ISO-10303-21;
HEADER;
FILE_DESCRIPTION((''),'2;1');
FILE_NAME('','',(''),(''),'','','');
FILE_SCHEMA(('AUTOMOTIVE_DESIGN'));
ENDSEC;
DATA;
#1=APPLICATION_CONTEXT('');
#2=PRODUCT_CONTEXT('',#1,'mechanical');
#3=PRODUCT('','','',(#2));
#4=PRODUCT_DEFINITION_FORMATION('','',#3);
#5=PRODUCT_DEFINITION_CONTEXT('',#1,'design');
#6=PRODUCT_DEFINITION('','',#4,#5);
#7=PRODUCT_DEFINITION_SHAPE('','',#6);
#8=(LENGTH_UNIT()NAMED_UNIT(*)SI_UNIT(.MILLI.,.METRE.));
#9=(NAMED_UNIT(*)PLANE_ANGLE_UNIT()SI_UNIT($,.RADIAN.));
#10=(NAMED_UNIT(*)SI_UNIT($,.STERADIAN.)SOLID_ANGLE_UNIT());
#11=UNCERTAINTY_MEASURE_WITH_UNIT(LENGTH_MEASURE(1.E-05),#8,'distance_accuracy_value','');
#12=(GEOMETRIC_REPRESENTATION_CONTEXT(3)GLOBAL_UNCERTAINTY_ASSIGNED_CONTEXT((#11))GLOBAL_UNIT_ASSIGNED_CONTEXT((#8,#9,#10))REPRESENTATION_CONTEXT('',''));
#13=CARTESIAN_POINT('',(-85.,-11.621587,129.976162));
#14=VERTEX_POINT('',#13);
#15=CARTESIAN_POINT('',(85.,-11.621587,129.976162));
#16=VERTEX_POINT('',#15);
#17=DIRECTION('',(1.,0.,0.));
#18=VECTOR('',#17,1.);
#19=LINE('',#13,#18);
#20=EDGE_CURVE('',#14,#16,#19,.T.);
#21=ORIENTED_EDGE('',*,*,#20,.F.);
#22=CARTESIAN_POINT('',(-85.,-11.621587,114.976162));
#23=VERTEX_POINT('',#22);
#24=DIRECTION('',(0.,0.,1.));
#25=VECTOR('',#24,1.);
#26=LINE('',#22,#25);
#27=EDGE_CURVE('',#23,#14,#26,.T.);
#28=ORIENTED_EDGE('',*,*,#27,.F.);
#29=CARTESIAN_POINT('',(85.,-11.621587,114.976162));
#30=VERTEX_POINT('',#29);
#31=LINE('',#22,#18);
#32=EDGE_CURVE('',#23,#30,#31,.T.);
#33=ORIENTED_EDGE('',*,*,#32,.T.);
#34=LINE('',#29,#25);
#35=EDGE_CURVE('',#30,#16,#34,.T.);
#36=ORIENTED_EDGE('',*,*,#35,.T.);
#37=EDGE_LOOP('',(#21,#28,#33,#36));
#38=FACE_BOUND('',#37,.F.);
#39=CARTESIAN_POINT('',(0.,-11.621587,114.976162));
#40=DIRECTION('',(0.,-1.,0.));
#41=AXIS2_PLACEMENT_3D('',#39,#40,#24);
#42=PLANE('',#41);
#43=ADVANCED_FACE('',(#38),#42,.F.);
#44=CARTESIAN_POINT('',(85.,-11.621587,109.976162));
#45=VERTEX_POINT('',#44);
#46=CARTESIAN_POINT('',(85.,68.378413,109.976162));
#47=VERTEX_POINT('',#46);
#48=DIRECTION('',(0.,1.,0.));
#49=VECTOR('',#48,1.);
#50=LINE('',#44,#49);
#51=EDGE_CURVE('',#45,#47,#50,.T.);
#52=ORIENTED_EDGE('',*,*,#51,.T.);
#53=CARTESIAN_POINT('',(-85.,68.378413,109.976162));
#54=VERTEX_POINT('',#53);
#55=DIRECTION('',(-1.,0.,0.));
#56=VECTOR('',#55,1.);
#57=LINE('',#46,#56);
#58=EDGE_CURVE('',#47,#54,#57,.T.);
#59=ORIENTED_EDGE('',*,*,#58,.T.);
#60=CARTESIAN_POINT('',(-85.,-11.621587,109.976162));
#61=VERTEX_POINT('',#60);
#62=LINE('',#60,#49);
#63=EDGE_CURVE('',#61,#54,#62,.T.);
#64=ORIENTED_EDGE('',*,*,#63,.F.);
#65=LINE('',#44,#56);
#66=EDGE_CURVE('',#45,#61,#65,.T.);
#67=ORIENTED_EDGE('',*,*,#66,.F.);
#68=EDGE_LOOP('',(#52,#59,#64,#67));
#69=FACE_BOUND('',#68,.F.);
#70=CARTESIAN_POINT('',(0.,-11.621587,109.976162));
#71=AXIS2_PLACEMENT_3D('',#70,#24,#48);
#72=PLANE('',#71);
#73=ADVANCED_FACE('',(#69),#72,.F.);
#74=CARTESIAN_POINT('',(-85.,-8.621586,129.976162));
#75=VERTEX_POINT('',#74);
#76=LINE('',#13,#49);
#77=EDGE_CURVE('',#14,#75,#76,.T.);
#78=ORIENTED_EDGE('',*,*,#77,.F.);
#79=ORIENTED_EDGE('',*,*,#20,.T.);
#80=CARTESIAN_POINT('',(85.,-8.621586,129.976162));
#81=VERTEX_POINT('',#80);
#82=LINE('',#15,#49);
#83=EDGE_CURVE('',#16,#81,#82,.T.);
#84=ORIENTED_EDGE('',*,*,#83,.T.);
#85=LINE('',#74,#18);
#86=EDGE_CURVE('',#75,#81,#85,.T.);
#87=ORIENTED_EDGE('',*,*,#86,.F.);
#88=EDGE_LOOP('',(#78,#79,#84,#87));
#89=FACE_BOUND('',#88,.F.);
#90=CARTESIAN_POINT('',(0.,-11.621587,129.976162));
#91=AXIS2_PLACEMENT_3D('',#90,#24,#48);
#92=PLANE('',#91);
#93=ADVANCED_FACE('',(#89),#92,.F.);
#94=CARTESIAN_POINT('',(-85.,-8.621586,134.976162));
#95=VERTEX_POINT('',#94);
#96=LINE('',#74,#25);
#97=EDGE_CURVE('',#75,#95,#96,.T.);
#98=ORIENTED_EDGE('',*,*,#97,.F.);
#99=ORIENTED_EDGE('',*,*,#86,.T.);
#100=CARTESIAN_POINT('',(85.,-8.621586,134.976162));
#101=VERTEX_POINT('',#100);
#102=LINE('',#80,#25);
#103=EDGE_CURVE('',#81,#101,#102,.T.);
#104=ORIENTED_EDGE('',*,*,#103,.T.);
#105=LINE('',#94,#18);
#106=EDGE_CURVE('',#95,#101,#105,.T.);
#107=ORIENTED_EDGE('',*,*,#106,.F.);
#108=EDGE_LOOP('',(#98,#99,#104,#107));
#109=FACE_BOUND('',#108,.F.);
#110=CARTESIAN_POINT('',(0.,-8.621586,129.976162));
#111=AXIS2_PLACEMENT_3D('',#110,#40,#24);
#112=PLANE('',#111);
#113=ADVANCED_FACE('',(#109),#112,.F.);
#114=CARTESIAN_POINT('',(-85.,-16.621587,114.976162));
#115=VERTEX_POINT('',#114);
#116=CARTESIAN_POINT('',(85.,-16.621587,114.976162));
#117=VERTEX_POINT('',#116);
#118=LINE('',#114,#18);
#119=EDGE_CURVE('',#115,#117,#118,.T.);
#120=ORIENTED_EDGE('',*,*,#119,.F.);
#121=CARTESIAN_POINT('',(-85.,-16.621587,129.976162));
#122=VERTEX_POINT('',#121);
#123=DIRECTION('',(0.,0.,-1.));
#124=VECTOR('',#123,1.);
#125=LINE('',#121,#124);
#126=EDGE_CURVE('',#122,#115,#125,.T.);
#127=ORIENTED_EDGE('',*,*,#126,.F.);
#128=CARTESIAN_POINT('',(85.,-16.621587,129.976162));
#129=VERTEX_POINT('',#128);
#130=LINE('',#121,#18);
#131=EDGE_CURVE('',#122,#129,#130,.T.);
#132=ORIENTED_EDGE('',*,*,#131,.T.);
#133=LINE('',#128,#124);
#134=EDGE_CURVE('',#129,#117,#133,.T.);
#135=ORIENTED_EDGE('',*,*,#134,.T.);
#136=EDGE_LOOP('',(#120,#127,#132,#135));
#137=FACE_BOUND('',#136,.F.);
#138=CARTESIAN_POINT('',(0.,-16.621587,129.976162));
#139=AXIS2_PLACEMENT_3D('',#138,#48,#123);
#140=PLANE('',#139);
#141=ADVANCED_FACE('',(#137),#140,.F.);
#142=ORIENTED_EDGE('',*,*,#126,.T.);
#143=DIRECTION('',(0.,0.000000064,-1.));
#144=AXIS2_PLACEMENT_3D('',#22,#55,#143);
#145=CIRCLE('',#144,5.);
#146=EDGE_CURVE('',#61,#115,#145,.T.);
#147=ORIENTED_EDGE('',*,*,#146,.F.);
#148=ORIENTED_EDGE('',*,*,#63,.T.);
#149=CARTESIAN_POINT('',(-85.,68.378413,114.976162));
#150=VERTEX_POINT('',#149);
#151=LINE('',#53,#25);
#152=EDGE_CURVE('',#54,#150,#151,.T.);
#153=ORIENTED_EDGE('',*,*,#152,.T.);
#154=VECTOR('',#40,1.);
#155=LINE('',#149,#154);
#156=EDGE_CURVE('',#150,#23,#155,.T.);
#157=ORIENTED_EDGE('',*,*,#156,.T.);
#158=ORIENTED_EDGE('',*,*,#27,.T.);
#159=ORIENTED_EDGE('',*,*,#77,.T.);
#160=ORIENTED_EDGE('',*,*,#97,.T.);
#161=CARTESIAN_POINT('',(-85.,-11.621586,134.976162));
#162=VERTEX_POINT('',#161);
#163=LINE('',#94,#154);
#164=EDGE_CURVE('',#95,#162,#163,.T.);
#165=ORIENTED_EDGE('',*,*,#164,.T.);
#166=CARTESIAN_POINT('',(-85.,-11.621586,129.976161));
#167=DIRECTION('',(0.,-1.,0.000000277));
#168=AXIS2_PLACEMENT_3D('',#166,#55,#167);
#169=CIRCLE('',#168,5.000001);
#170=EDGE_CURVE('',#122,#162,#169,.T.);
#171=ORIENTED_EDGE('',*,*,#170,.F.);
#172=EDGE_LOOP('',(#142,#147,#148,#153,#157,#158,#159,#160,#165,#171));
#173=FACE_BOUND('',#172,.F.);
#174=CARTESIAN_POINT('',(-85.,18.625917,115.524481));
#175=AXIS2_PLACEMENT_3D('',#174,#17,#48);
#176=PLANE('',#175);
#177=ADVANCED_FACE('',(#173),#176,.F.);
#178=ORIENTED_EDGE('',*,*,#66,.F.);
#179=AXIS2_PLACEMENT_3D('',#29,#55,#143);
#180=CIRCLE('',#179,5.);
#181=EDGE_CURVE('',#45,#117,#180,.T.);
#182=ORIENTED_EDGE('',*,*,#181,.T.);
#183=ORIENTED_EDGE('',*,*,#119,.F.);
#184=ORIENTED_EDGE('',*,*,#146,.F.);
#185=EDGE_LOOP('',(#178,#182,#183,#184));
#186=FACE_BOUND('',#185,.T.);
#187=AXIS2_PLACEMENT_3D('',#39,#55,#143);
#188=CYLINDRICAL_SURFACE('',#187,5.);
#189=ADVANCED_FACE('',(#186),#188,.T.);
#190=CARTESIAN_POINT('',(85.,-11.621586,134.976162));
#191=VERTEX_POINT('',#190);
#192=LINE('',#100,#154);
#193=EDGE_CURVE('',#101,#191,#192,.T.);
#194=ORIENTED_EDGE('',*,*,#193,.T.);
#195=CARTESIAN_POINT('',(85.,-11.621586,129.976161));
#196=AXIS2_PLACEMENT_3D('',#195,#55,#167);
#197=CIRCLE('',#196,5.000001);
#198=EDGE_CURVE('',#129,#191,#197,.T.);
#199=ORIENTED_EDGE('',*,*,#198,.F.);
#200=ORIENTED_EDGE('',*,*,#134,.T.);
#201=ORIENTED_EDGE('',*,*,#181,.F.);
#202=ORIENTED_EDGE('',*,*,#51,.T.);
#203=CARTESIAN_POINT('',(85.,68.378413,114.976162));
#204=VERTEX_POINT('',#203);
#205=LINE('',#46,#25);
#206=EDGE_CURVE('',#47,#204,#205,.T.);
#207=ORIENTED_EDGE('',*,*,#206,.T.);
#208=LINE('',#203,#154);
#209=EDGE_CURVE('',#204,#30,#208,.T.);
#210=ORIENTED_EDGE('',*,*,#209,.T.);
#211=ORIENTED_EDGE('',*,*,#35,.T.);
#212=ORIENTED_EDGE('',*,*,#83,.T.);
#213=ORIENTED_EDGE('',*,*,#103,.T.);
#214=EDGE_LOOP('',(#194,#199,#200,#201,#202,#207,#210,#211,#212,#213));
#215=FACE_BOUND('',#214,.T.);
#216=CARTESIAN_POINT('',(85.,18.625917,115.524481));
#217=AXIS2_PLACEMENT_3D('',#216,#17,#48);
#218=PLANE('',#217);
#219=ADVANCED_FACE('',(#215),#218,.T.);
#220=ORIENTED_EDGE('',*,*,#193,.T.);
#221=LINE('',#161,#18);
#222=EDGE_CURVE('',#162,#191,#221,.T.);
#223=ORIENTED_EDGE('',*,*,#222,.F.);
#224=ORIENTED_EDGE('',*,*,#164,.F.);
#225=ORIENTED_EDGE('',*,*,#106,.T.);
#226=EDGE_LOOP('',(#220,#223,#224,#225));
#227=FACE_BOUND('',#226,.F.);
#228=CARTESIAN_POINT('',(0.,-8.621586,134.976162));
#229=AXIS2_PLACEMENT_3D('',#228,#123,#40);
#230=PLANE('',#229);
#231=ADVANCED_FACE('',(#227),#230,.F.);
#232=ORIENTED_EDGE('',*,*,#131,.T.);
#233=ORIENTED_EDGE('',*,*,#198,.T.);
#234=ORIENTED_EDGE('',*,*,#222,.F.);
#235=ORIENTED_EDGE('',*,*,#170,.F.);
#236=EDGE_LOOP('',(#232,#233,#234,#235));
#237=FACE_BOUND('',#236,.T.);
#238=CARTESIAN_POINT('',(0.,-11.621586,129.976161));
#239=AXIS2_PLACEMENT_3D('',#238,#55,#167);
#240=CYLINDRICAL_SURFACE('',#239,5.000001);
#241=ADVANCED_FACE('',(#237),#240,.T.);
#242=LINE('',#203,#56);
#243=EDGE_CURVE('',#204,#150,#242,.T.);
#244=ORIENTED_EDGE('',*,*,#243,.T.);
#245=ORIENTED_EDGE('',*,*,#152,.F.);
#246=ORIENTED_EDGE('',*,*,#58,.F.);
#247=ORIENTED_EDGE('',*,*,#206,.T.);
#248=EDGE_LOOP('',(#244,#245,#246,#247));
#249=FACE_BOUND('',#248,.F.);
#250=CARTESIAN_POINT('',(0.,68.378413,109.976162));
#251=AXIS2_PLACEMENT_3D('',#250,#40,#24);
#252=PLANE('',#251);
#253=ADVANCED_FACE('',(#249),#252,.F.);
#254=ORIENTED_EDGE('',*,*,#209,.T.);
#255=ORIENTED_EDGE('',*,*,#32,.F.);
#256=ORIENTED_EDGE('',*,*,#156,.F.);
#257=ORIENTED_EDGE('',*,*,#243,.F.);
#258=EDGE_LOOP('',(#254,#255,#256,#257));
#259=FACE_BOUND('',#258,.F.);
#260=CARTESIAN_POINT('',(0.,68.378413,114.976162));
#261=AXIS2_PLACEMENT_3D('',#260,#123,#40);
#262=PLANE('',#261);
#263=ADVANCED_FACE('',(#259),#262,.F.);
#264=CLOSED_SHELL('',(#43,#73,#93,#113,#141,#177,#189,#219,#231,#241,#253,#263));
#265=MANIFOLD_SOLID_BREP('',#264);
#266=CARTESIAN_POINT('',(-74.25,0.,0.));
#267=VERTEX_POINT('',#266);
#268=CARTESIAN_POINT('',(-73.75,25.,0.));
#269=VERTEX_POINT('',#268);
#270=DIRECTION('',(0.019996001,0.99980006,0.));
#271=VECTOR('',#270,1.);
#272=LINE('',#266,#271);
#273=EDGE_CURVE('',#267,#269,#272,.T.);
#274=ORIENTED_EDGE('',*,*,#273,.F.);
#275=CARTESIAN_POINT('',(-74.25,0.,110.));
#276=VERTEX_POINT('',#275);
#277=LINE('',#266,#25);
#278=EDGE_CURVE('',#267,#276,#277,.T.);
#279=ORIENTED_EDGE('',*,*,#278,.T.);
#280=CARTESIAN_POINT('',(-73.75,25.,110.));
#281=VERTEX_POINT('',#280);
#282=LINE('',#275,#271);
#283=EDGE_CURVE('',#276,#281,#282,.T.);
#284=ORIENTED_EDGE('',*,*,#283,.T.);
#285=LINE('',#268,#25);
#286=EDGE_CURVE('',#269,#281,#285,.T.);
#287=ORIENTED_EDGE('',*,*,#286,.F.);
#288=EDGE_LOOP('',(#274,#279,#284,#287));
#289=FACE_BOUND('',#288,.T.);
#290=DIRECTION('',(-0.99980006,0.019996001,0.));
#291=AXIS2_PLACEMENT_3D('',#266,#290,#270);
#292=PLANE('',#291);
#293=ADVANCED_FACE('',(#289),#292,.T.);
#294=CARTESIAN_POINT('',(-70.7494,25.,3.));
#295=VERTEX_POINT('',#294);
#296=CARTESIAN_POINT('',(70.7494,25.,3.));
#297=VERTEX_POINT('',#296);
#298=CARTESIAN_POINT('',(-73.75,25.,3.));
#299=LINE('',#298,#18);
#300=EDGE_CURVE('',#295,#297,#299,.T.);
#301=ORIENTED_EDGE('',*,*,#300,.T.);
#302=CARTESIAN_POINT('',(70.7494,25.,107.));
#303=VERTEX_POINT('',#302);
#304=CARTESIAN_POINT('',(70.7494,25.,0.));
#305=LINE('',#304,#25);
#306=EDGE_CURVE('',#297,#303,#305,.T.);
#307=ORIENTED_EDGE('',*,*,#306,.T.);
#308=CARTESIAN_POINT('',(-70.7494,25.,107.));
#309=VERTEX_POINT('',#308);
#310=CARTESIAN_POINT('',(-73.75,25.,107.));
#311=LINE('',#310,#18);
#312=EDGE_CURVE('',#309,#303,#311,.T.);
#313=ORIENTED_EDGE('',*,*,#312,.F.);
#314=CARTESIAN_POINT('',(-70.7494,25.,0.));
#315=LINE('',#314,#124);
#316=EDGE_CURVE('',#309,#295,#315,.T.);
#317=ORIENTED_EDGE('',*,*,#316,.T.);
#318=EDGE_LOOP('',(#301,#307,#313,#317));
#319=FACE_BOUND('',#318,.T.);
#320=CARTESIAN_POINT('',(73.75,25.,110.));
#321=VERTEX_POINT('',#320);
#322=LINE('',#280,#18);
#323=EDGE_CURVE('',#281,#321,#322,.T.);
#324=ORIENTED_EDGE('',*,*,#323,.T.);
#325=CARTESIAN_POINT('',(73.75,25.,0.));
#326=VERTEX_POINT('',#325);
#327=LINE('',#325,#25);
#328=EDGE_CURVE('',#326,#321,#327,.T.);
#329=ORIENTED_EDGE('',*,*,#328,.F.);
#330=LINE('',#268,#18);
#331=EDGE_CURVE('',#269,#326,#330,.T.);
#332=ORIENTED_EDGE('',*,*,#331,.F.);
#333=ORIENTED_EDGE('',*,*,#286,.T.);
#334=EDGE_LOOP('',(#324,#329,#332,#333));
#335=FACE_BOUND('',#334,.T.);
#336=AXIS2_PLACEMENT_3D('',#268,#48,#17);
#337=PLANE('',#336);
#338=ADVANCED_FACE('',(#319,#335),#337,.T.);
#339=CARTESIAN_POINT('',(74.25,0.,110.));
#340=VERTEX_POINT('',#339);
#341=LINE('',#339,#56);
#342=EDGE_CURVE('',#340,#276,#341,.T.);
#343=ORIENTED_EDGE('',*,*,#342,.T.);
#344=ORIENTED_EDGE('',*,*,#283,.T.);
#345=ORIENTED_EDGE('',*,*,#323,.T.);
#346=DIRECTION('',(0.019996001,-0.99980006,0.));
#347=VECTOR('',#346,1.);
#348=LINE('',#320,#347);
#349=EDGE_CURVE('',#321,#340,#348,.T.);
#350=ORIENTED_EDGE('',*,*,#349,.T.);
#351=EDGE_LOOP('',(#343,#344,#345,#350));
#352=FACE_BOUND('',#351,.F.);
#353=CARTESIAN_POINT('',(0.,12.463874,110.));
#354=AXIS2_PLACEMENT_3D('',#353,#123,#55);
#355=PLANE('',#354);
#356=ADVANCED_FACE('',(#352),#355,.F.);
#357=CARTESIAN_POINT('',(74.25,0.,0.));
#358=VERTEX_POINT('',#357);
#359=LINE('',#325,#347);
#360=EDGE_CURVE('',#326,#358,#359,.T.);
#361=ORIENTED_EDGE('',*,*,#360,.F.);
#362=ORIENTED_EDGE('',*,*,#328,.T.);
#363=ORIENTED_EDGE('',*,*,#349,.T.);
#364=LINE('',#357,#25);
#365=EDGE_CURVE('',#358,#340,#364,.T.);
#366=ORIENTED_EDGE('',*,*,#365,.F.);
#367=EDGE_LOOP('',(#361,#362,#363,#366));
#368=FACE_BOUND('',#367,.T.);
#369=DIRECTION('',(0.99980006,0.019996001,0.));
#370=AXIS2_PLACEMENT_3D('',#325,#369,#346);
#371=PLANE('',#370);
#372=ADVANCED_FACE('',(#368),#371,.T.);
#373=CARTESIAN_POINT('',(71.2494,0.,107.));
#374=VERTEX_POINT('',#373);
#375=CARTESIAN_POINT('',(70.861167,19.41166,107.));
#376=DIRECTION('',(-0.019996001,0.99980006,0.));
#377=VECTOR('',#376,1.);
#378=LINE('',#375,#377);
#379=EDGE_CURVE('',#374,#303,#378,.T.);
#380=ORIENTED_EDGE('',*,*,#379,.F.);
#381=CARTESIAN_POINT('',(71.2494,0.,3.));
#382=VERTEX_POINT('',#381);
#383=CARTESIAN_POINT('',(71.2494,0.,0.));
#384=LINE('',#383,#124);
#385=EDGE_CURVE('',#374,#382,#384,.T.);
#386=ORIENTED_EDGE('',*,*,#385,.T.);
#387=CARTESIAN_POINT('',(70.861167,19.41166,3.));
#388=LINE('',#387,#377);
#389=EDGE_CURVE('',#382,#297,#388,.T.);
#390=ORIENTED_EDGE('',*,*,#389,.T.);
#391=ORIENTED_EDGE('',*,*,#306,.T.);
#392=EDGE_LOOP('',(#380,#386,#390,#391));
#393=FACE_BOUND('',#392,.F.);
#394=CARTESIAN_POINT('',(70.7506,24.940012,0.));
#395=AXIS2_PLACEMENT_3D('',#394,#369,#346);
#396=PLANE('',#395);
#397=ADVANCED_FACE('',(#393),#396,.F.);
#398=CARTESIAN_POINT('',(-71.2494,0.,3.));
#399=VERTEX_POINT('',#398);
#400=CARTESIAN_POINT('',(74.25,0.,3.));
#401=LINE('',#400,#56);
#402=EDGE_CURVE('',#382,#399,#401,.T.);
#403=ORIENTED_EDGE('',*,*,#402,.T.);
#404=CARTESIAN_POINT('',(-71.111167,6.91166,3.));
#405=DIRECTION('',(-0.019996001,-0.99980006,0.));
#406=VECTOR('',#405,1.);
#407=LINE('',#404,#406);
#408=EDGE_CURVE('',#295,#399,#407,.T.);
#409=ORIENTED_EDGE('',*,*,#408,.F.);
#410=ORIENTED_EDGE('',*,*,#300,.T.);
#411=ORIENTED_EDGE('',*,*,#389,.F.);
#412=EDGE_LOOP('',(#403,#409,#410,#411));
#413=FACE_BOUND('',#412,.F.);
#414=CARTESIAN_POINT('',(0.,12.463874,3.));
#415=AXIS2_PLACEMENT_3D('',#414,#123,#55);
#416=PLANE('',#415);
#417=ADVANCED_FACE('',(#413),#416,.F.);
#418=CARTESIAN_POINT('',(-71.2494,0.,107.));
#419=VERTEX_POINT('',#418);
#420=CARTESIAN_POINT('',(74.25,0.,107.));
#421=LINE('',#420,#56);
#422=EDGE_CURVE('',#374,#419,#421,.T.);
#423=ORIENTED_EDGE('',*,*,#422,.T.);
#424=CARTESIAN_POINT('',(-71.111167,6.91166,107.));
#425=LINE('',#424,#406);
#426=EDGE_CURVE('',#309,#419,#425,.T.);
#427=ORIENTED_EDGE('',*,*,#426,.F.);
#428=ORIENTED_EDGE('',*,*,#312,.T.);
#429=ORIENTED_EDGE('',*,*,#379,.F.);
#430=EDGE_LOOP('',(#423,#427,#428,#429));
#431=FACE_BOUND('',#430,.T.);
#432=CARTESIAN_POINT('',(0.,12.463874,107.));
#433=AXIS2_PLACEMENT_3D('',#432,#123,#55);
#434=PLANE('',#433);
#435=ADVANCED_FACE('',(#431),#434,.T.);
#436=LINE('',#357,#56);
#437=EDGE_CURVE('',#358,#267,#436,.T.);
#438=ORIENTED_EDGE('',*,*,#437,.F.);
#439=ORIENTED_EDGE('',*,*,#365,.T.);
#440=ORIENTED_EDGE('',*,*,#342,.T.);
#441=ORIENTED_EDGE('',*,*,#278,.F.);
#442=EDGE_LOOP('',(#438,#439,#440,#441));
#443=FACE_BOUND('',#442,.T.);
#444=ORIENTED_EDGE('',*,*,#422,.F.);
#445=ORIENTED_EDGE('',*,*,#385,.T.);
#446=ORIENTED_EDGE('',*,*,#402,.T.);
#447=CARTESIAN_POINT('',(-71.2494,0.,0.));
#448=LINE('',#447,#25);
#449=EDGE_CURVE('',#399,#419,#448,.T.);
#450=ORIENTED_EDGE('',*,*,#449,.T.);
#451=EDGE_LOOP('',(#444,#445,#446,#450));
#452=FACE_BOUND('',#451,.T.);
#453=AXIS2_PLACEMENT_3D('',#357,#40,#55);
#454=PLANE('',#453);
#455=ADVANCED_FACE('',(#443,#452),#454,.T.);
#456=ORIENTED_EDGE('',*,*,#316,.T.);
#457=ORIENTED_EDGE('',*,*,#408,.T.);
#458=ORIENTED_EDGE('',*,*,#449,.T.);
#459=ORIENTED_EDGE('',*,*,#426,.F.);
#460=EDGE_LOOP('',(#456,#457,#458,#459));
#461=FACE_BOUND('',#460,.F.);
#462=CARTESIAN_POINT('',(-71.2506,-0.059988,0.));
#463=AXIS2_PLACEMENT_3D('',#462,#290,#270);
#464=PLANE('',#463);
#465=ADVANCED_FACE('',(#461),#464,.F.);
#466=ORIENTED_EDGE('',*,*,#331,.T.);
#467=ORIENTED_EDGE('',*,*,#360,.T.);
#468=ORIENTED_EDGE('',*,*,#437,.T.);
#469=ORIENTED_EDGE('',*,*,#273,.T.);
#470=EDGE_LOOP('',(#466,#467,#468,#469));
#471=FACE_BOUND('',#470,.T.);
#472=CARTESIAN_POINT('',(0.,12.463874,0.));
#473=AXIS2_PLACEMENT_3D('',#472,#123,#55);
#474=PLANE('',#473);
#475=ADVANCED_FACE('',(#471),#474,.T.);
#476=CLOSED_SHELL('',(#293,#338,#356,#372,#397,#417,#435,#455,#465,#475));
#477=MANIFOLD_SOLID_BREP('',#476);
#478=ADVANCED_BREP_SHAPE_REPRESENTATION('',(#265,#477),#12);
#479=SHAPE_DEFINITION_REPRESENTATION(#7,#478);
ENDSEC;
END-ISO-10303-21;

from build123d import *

# Parameters (mm, degrees)
PAD_DEPTH    = 110
THICKNESS_T  = -3
PAD001_DEPTH = 85


with BuildPart() as enclosure:
    # Sketch → Pad (new body)
    with BuildSketch(Plane.XY):
        Polygon((-73.75, 25), (73.75, 25), (74.25, 0), (-74.25, 0), align=None)
    extrude(amount=PAD_DEPTH)

    # Thickness
    thickness_openings = [enclosure.faces().sort_by_distance(p)[0] for p in [
        (0, 0, 55),
        (0, 25, 55),
    ]]
    offset(amount=THICKNESS_T, openings=thickness_openings)


with BuildPart() as support:
    # Sketch001 → Pad001 (new body, symmetric)
    with BuildSketch(Plane(origin=(0, 0, 0), x_dir=(0, -1, 0), z_dir=(-1, 0, 0))):
        with BuildLine():
            Line((-68.378413, 114.976162), (11.621587, 114.976162))
            Line((11.621587, 114.976162), (11.621587, 129.976162))
            Line((11.621587, 129.976162), (8.621586, 129.976162))
            Line((8.621586, 129.976162), (8.621586, 134.976162))
            Line((8.621586, 134.976162), (11.621586, 134.976162))
            ThreePointArc((16.621587, 129.976162), (15.15712, 133.511696), (11.621586, 134.976162))
            Line((16.621587, 129.976162), (16.621587, 114.976162))
            ThreePointArc((11.621587, 109.976162), (15.157121, 111.440628), (16.621587, 114.976162))
            Line((11.621587, 109.976162), (-68.378413, 109.976162))
            Line((-68.378413, 109.976162), (-68.378413, 114.976162))
        make_face()
    extrude(amount=PAD001_DEPTH, both=True)


solid = Compound([enclosure.part, support.part])
